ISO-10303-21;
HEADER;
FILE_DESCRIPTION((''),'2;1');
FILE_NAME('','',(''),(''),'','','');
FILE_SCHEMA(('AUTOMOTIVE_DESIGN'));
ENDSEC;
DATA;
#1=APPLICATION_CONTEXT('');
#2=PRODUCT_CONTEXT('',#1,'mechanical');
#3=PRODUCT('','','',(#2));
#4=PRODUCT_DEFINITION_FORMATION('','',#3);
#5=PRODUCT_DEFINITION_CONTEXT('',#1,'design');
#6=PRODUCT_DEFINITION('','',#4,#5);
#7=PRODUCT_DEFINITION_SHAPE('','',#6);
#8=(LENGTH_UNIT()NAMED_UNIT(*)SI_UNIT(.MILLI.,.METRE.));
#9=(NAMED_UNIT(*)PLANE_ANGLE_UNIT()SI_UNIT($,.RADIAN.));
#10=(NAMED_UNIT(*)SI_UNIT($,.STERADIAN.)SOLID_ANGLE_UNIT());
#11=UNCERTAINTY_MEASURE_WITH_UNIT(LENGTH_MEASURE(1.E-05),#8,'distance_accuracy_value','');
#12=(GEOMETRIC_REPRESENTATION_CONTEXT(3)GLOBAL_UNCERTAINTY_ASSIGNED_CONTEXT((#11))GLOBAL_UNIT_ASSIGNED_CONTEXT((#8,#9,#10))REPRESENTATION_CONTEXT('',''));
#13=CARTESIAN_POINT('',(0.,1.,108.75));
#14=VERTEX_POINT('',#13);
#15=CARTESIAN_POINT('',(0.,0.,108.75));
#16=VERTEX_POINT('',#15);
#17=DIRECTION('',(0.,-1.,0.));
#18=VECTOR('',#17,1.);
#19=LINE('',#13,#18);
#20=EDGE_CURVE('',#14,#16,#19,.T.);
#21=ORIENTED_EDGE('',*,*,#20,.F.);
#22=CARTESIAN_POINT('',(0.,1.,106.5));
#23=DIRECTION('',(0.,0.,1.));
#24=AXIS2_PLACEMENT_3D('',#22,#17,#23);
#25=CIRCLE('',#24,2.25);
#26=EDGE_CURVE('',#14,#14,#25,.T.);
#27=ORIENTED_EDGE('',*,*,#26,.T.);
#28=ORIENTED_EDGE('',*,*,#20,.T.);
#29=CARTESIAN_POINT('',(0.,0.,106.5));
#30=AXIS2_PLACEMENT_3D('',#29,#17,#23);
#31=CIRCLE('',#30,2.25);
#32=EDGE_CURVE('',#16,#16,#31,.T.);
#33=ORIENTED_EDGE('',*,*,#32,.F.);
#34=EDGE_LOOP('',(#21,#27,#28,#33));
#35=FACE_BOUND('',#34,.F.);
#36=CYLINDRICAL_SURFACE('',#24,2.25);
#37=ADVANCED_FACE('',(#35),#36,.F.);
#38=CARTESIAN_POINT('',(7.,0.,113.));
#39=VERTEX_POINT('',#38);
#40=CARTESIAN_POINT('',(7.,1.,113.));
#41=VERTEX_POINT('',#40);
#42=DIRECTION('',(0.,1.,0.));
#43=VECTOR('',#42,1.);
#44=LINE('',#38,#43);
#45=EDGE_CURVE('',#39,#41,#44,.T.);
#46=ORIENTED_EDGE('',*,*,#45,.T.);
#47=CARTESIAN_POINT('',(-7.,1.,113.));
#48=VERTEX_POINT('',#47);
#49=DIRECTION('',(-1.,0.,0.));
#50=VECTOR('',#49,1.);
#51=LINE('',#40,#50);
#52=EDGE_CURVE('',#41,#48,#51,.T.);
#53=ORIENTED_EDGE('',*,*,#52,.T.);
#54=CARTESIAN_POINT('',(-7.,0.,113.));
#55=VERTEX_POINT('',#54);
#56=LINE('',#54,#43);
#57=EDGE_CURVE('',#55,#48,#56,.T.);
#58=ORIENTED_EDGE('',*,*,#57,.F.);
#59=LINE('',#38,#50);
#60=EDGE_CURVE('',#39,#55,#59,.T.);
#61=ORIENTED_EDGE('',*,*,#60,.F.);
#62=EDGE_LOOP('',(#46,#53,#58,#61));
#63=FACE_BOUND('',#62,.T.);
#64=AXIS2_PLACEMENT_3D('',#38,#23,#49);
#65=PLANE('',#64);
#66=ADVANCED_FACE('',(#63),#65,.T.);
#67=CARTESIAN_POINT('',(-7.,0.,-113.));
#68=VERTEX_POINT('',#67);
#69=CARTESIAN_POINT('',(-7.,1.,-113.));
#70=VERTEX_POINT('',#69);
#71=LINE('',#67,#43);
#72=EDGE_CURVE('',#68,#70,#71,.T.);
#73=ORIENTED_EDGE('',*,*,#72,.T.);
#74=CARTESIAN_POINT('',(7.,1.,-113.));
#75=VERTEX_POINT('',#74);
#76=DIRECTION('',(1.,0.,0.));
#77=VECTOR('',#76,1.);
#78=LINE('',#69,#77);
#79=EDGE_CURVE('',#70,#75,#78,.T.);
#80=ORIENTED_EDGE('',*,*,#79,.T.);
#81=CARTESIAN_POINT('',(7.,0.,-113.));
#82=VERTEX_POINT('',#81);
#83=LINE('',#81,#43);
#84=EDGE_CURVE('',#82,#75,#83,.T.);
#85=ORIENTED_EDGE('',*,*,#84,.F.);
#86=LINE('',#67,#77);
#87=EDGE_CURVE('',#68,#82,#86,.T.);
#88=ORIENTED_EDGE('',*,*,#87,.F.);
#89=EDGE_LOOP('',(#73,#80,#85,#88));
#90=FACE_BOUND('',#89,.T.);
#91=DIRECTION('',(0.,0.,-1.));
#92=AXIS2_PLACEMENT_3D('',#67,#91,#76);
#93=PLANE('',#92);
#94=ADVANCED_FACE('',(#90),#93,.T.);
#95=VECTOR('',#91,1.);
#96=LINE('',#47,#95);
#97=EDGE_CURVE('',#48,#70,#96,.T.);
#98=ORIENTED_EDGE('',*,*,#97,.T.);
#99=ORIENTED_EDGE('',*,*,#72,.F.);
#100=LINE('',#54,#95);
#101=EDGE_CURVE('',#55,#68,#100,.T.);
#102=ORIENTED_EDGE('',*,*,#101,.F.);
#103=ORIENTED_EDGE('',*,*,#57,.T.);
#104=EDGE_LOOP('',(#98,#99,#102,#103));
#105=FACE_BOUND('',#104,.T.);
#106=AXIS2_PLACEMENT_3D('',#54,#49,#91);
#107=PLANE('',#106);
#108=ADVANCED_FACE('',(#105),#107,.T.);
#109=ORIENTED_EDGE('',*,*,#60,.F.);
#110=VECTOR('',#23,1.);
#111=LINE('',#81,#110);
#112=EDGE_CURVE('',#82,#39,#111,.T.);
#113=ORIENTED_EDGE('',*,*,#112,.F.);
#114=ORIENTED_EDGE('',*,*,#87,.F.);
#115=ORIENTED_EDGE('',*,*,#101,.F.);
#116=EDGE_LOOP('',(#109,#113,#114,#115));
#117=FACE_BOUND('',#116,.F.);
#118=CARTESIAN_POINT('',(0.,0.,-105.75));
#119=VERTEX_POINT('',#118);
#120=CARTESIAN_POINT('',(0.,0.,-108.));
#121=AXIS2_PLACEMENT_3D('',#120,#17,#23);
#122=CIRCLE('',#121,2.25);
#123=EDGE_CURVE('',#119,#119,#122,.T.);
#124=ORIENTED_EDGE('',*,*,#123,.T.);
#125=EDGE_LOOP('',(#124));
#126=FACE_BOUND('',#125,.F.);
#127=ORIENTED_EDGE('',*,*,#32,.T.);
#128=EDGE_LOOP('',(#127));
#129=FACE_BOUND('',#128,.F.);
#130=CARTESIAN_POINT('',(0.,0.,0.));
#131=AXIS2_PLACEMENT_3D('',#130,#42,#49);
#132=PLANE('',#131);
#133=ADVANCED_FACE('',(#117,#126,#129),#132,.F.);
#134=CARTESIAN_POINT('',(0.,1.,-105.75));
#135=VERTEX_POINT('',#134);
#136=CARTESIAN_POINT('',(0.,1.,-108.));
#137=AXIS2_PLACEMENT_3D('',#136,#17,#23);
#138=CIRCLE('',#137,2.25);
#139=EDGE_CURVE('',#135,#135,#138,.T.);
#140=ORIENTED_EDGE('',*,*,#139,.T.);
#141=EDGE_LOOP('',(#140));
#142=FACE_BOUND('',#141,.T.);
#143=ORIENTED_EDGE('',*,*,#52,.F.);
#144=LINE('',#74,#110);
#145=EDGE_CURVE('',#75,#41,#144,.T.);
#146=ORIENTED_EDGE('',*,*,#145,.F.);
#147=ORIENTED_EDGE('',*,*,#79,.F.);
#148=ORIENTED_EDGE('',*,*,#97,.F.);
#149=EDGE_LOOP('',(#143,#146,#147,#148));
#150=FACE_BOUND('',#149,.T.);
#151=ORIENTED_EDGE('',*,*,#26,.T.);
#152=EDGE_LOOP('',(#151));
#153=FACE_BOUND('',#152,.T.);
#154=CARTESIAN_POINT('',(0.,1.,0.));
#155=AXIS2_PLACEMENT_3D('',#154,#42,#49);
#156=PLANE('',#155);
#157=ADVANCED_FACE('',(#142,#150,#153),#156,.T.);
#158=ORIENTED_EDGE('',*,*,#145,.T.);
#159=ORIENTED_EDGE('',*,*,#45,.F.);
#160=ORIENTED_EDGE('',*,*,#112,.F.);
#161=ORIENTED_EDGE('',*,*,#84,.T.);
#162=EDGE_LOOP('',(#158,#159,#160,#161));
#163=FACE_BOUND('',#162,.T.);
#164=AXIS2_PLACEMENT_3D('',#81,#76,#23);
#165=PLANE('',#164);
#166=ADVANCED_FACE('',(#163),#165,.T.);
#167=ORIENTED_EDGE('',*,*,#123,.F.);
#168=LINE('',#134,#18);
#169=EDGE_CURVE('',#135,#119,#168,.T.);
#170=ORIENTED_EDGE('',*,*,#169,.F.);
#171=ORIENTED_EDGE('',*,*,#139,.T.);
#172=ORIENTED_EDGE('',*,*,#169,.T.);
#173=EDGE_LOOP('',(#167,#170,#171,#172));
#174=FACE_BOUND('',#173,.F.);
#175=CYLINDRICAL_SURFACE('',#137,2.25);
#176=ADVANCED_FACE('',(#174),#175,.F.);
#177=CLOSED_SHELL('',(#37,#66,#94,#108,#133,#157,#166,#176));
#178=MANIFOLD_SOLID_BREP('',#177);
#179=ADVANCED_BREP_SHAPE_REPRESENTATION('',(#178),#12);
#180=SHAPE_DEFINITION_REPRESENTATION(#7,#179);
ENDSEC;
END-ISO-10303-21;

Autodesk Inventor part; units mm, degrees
ref_plane "YZ Plane" through (0, 0, 0) normal (1, 0, 0) x (0, 1, 0)
ref_plane "XZ Plane" through (0, 0, 0) normal (0, 1, 0) x (-1, 0, 0)
ref_plane "XY Plane" through (0, 0, 0) normal (0, 0, 1) x (1, 0, 0)
sketch "Esquisse2" plane through (0, 0, 0) normal (0, 1, 0) x (-1, 0, 0)
  line L0 (-7, 113) -> (7, 113)
  line L1 (7, 113) -> (7, -113)
  line L2 (7, -113) -> (-7, -113)
  line L3 (-7, -113) -> (-7, 113)
  line L4 (-7, 113) -> (7, -113) construction
  line L5 (7, 113) -> (-7, -113) construction
  point P0 (0, 0)
  dimension "d0" = 226
  dimension "d1" = 14
extrude "Extrusion1" add sketch "Esquisse2" along normal blind 1
sketch "Esquisse3" plane through (0, 1, 0) normal (0, 1, 0) x (1, 0, 0)
  line L0 (7, 113) -> (-7, 113) projected
  line L1 (-7, -113) -> (7, -113) projected
  point P0 (0, 0)
  point P1 (0, -106.5)
  point P2 (0, 108)
  dimension "d4" = 5
  dimension "d14" = 214.5
hole "Perçage1" at (0, 1, 106.5) at (0, 1, -108) direction (0, -1, 0) diameter 4.5 end through all clearance for "Vis d'assemblage à six pans creux ISO 4762" size "M4" standard "ISO"
properties part number "support_lateral" material "Aluminium 6061"
